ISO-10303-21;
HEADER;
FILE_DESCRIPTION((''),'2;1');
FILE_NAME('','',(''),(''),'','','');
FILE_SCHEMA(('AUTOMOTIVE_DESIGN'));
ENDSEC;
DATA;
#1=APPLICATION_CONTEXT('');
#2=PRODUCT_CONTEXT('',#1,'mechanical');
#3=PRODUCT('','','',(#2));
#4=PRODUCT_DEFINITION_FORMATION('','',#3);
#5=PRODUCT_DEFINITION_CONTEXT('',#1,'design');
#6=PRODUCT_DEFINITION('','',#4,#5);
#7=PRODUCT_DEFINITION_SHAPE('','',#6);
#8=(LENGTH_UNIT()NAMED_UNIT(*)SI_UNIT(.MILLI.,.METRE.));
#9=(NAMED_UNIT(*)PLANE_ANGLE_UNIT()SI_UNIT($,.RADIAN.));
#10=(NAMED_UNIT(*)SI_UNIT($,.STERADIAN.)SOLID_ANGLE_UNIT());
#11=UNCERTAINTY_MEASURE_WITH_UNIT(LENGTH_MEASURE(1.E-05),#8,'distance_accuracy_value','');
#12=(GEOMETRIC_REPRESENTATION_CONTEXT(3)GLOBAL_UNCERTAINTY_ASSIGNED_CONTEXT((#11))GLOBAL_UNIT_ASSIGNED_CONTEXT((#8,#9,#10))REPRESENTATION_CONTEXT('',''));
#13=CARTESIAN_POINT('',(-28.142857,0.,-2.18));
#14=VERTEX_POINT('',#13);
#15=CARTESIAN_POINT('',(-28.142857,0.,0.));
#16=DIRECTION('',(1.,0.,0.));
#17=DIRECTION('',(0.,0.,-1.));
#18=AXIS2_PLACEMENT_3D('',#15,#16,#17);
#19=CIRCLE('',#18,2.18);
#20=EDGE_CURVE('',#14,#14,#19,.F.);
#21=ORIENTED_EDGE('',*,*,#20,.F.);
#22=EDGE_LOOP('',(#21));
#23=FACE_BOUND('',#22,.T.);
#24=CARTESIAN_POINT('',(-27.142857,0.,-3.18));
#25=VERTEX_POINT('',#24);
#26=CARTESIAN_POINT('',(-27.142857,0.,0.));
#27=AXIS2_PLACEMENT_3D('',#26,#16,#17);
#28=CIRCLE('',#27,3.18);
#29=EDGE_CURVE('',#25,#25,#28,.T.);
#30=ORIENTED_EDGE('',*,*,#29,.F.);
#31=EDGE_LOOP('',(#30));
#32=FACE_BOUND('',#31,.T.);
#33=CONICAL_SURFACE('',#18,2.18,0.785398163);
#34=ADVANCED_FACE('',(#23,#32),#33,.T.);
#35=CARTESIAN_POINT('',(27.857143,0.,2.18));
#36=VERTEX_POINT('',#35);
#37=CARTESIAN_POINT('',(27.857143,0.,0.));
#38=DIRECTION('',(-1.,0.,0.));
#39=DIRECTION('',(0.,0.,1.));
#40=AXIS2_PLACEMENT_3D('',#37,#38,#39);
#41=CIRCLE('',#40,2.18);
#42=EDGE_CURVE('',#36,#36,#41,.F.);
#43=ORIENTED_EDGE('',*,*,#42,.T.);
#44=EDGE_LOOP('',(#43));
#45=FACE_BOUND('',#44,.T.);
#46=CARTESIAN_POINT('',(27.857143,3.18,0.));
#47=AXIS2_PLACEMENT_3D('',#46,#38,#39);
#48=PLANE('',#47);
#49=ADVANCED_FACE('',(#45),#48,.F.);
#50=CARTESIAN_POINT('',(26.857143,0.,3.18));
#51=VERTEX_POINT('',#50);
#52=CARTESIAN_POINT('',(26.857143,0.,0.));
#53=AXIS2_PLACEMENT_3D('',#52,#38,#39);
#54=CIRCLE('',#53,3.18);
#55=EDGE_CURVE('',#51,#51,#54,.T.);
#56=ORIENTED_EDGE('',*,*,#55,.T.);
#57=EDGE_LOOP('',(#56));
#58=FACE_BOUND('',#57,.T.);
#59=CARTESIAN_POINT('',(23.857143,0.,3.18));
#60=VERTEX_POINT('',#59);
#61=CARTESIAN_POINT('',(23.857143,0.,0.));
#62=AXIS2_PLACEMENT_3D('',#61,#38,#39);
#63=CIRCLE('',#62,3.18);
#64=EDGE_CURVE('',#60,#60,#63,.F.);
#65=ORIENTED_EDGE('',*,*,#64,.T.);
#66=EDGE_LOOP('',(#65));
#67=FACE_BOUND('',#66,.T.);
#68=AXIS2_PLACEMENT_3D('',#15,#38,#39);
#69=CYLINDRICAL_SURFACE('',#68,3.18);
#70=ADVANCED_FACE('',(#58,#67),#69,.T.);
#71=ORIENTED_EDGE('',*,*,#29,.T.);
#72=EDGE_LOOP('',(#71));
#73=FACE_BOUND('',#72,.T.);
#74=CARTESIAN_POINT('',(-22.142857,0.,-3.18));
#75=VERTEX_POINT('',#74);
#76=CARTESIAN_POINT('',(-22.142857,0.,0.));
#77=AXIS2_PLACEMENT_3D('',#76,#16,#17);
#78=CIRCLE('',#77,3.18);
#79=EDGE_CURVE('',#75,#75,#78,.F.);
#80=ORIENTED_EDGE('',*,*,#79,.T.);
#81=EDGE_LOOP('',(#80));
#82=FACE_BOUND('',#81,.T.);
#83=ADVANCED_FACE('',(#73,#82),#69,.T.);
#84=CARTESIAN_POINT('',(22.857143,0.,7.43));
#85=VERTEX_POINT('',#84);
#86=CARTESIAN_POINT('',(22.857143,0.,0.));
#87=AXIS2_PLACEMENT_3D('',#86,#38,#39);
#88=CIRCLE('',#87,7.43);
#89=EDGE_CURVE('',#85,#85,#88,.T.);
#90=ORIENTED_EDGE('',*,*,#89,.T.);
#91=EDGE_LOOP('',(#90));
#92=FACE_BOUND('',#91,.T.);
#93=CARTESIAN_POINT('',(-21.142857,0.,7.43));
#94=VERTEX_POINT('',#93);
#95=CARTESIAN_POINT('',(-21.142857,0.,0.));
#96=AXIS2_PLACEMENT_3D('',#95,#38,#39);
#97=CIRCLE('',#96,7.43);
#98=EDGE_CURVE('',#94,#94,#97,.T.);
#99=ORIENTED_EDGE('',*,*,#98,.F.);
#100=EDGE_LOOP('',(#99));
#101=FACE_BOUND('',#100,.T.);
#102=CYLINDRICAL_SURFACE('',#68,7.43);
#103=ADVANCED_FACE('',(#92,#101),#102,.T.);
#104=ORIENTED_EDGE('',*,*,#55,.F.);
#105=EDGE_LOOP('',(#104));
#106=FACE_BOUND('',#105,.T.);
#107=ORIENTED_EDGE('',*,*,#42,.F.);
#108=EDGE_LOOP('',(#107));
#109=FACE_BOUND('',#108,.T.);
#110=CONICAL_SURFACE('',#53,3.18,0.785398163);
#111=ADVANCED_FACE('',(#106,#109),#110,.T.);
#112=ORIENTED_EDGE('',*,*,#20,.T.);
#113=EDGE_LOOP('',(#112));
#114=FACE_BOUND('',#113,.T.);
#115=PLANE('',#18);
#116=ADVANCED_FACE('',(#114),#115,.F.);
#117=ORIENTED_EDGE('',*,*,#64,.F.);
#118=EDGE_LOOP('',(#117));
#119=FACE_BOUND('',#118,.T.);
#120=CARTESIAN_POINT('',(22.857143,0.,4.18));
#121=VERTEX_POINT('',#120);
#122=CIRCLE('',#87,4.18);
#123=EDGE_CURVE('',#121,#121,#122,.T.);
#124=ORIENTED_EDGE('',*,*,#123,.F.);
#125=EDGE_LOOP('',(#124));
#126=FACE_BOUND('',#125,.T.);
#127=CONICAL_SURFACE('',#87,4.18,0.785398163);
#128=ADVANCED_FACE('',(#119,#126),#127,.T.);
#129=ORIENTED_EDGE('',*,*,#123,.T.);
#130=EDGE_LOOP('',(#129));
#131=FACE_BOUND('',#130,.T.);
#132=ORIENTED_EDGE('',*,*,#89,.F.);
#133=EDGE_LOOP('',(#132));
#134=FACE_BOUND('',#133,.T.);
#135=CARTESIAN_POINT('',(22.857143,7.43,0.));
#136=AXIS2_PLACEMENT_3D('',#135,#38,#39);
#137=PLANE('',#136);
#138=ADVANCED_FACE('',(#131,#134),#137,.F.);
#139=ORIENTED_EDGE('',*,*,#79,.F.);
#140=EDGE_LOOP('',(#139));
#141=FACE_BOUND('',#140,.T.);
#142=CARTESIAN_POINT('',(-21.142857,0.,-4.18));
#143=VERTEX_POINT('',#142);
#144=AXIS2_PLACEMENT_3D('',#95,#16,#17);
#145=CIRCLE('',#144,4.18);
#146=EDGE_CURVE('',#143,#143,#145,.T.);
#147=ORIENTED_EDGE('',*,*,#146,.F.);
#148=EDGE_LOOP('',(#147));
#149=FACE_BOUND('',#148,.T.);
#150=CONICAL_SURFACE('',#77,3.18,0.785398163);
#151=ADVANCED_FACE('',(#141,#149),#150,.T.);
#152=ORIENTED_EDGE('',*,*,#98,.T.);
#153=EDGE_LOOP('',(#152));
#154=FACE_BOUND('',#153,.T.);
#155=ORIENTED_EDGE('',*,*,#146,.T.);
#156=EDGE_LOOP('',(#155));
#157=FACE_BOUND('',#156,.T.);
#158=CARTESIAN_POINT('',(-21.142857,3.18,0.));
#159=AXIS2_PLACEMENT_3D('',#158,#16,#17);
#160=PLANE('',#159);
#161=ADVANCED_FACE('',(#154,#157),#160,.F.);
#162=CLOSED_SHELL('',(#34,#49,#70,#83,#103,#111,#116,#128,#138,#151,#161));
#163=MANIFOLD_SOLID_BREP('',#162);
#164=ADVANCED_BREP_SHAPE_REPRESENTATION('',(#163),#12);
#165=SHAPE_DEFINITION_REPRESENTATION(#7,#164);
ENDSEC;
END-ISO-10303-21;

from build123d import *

# Parameters (mm, degrees)
CHAMFER1_SIZE = 1
CHAMFER2_SIZE = 1


with BuildPart() as part:
    # Sketch1 → Revolve1 (revolve)
    with BuildSketch(Plane.XY):
        Polygon((-28.142857143, 0), (-28.142857143, 3.18), (-21.142857143, 3.18), (-21.142857143, 7.43), (22.857142857, 7.43), (22.857142857, 3.18), (27.857142857, 3.18), (27.857142857, 0), align=None)
    revolve(axis=Axis((-28.142857143, 0, 0), (1, 0, 0)))

    # Chamfer1
    chamfer1_edges = [part.edges().sort_by_distance(p)[0] for p in [
        (27.857142857, -3.18, 0),
        (-28.142857143, -3.18, 0),
    ]]
    chamfer(chamfer1_edges, length=CHAMFER1_SIZE)

    # Chamfer2
    chamfer2_edges = [part.edges().sort_by_distance(p)[0] for p in [
        (22.857142857, -3.18, 0),
        (-21.142857143, -3.18, 0),
    ]]
    chamfer(chamfer2_edges, length=CHAMFER2_SIZE)


solid = part.part
